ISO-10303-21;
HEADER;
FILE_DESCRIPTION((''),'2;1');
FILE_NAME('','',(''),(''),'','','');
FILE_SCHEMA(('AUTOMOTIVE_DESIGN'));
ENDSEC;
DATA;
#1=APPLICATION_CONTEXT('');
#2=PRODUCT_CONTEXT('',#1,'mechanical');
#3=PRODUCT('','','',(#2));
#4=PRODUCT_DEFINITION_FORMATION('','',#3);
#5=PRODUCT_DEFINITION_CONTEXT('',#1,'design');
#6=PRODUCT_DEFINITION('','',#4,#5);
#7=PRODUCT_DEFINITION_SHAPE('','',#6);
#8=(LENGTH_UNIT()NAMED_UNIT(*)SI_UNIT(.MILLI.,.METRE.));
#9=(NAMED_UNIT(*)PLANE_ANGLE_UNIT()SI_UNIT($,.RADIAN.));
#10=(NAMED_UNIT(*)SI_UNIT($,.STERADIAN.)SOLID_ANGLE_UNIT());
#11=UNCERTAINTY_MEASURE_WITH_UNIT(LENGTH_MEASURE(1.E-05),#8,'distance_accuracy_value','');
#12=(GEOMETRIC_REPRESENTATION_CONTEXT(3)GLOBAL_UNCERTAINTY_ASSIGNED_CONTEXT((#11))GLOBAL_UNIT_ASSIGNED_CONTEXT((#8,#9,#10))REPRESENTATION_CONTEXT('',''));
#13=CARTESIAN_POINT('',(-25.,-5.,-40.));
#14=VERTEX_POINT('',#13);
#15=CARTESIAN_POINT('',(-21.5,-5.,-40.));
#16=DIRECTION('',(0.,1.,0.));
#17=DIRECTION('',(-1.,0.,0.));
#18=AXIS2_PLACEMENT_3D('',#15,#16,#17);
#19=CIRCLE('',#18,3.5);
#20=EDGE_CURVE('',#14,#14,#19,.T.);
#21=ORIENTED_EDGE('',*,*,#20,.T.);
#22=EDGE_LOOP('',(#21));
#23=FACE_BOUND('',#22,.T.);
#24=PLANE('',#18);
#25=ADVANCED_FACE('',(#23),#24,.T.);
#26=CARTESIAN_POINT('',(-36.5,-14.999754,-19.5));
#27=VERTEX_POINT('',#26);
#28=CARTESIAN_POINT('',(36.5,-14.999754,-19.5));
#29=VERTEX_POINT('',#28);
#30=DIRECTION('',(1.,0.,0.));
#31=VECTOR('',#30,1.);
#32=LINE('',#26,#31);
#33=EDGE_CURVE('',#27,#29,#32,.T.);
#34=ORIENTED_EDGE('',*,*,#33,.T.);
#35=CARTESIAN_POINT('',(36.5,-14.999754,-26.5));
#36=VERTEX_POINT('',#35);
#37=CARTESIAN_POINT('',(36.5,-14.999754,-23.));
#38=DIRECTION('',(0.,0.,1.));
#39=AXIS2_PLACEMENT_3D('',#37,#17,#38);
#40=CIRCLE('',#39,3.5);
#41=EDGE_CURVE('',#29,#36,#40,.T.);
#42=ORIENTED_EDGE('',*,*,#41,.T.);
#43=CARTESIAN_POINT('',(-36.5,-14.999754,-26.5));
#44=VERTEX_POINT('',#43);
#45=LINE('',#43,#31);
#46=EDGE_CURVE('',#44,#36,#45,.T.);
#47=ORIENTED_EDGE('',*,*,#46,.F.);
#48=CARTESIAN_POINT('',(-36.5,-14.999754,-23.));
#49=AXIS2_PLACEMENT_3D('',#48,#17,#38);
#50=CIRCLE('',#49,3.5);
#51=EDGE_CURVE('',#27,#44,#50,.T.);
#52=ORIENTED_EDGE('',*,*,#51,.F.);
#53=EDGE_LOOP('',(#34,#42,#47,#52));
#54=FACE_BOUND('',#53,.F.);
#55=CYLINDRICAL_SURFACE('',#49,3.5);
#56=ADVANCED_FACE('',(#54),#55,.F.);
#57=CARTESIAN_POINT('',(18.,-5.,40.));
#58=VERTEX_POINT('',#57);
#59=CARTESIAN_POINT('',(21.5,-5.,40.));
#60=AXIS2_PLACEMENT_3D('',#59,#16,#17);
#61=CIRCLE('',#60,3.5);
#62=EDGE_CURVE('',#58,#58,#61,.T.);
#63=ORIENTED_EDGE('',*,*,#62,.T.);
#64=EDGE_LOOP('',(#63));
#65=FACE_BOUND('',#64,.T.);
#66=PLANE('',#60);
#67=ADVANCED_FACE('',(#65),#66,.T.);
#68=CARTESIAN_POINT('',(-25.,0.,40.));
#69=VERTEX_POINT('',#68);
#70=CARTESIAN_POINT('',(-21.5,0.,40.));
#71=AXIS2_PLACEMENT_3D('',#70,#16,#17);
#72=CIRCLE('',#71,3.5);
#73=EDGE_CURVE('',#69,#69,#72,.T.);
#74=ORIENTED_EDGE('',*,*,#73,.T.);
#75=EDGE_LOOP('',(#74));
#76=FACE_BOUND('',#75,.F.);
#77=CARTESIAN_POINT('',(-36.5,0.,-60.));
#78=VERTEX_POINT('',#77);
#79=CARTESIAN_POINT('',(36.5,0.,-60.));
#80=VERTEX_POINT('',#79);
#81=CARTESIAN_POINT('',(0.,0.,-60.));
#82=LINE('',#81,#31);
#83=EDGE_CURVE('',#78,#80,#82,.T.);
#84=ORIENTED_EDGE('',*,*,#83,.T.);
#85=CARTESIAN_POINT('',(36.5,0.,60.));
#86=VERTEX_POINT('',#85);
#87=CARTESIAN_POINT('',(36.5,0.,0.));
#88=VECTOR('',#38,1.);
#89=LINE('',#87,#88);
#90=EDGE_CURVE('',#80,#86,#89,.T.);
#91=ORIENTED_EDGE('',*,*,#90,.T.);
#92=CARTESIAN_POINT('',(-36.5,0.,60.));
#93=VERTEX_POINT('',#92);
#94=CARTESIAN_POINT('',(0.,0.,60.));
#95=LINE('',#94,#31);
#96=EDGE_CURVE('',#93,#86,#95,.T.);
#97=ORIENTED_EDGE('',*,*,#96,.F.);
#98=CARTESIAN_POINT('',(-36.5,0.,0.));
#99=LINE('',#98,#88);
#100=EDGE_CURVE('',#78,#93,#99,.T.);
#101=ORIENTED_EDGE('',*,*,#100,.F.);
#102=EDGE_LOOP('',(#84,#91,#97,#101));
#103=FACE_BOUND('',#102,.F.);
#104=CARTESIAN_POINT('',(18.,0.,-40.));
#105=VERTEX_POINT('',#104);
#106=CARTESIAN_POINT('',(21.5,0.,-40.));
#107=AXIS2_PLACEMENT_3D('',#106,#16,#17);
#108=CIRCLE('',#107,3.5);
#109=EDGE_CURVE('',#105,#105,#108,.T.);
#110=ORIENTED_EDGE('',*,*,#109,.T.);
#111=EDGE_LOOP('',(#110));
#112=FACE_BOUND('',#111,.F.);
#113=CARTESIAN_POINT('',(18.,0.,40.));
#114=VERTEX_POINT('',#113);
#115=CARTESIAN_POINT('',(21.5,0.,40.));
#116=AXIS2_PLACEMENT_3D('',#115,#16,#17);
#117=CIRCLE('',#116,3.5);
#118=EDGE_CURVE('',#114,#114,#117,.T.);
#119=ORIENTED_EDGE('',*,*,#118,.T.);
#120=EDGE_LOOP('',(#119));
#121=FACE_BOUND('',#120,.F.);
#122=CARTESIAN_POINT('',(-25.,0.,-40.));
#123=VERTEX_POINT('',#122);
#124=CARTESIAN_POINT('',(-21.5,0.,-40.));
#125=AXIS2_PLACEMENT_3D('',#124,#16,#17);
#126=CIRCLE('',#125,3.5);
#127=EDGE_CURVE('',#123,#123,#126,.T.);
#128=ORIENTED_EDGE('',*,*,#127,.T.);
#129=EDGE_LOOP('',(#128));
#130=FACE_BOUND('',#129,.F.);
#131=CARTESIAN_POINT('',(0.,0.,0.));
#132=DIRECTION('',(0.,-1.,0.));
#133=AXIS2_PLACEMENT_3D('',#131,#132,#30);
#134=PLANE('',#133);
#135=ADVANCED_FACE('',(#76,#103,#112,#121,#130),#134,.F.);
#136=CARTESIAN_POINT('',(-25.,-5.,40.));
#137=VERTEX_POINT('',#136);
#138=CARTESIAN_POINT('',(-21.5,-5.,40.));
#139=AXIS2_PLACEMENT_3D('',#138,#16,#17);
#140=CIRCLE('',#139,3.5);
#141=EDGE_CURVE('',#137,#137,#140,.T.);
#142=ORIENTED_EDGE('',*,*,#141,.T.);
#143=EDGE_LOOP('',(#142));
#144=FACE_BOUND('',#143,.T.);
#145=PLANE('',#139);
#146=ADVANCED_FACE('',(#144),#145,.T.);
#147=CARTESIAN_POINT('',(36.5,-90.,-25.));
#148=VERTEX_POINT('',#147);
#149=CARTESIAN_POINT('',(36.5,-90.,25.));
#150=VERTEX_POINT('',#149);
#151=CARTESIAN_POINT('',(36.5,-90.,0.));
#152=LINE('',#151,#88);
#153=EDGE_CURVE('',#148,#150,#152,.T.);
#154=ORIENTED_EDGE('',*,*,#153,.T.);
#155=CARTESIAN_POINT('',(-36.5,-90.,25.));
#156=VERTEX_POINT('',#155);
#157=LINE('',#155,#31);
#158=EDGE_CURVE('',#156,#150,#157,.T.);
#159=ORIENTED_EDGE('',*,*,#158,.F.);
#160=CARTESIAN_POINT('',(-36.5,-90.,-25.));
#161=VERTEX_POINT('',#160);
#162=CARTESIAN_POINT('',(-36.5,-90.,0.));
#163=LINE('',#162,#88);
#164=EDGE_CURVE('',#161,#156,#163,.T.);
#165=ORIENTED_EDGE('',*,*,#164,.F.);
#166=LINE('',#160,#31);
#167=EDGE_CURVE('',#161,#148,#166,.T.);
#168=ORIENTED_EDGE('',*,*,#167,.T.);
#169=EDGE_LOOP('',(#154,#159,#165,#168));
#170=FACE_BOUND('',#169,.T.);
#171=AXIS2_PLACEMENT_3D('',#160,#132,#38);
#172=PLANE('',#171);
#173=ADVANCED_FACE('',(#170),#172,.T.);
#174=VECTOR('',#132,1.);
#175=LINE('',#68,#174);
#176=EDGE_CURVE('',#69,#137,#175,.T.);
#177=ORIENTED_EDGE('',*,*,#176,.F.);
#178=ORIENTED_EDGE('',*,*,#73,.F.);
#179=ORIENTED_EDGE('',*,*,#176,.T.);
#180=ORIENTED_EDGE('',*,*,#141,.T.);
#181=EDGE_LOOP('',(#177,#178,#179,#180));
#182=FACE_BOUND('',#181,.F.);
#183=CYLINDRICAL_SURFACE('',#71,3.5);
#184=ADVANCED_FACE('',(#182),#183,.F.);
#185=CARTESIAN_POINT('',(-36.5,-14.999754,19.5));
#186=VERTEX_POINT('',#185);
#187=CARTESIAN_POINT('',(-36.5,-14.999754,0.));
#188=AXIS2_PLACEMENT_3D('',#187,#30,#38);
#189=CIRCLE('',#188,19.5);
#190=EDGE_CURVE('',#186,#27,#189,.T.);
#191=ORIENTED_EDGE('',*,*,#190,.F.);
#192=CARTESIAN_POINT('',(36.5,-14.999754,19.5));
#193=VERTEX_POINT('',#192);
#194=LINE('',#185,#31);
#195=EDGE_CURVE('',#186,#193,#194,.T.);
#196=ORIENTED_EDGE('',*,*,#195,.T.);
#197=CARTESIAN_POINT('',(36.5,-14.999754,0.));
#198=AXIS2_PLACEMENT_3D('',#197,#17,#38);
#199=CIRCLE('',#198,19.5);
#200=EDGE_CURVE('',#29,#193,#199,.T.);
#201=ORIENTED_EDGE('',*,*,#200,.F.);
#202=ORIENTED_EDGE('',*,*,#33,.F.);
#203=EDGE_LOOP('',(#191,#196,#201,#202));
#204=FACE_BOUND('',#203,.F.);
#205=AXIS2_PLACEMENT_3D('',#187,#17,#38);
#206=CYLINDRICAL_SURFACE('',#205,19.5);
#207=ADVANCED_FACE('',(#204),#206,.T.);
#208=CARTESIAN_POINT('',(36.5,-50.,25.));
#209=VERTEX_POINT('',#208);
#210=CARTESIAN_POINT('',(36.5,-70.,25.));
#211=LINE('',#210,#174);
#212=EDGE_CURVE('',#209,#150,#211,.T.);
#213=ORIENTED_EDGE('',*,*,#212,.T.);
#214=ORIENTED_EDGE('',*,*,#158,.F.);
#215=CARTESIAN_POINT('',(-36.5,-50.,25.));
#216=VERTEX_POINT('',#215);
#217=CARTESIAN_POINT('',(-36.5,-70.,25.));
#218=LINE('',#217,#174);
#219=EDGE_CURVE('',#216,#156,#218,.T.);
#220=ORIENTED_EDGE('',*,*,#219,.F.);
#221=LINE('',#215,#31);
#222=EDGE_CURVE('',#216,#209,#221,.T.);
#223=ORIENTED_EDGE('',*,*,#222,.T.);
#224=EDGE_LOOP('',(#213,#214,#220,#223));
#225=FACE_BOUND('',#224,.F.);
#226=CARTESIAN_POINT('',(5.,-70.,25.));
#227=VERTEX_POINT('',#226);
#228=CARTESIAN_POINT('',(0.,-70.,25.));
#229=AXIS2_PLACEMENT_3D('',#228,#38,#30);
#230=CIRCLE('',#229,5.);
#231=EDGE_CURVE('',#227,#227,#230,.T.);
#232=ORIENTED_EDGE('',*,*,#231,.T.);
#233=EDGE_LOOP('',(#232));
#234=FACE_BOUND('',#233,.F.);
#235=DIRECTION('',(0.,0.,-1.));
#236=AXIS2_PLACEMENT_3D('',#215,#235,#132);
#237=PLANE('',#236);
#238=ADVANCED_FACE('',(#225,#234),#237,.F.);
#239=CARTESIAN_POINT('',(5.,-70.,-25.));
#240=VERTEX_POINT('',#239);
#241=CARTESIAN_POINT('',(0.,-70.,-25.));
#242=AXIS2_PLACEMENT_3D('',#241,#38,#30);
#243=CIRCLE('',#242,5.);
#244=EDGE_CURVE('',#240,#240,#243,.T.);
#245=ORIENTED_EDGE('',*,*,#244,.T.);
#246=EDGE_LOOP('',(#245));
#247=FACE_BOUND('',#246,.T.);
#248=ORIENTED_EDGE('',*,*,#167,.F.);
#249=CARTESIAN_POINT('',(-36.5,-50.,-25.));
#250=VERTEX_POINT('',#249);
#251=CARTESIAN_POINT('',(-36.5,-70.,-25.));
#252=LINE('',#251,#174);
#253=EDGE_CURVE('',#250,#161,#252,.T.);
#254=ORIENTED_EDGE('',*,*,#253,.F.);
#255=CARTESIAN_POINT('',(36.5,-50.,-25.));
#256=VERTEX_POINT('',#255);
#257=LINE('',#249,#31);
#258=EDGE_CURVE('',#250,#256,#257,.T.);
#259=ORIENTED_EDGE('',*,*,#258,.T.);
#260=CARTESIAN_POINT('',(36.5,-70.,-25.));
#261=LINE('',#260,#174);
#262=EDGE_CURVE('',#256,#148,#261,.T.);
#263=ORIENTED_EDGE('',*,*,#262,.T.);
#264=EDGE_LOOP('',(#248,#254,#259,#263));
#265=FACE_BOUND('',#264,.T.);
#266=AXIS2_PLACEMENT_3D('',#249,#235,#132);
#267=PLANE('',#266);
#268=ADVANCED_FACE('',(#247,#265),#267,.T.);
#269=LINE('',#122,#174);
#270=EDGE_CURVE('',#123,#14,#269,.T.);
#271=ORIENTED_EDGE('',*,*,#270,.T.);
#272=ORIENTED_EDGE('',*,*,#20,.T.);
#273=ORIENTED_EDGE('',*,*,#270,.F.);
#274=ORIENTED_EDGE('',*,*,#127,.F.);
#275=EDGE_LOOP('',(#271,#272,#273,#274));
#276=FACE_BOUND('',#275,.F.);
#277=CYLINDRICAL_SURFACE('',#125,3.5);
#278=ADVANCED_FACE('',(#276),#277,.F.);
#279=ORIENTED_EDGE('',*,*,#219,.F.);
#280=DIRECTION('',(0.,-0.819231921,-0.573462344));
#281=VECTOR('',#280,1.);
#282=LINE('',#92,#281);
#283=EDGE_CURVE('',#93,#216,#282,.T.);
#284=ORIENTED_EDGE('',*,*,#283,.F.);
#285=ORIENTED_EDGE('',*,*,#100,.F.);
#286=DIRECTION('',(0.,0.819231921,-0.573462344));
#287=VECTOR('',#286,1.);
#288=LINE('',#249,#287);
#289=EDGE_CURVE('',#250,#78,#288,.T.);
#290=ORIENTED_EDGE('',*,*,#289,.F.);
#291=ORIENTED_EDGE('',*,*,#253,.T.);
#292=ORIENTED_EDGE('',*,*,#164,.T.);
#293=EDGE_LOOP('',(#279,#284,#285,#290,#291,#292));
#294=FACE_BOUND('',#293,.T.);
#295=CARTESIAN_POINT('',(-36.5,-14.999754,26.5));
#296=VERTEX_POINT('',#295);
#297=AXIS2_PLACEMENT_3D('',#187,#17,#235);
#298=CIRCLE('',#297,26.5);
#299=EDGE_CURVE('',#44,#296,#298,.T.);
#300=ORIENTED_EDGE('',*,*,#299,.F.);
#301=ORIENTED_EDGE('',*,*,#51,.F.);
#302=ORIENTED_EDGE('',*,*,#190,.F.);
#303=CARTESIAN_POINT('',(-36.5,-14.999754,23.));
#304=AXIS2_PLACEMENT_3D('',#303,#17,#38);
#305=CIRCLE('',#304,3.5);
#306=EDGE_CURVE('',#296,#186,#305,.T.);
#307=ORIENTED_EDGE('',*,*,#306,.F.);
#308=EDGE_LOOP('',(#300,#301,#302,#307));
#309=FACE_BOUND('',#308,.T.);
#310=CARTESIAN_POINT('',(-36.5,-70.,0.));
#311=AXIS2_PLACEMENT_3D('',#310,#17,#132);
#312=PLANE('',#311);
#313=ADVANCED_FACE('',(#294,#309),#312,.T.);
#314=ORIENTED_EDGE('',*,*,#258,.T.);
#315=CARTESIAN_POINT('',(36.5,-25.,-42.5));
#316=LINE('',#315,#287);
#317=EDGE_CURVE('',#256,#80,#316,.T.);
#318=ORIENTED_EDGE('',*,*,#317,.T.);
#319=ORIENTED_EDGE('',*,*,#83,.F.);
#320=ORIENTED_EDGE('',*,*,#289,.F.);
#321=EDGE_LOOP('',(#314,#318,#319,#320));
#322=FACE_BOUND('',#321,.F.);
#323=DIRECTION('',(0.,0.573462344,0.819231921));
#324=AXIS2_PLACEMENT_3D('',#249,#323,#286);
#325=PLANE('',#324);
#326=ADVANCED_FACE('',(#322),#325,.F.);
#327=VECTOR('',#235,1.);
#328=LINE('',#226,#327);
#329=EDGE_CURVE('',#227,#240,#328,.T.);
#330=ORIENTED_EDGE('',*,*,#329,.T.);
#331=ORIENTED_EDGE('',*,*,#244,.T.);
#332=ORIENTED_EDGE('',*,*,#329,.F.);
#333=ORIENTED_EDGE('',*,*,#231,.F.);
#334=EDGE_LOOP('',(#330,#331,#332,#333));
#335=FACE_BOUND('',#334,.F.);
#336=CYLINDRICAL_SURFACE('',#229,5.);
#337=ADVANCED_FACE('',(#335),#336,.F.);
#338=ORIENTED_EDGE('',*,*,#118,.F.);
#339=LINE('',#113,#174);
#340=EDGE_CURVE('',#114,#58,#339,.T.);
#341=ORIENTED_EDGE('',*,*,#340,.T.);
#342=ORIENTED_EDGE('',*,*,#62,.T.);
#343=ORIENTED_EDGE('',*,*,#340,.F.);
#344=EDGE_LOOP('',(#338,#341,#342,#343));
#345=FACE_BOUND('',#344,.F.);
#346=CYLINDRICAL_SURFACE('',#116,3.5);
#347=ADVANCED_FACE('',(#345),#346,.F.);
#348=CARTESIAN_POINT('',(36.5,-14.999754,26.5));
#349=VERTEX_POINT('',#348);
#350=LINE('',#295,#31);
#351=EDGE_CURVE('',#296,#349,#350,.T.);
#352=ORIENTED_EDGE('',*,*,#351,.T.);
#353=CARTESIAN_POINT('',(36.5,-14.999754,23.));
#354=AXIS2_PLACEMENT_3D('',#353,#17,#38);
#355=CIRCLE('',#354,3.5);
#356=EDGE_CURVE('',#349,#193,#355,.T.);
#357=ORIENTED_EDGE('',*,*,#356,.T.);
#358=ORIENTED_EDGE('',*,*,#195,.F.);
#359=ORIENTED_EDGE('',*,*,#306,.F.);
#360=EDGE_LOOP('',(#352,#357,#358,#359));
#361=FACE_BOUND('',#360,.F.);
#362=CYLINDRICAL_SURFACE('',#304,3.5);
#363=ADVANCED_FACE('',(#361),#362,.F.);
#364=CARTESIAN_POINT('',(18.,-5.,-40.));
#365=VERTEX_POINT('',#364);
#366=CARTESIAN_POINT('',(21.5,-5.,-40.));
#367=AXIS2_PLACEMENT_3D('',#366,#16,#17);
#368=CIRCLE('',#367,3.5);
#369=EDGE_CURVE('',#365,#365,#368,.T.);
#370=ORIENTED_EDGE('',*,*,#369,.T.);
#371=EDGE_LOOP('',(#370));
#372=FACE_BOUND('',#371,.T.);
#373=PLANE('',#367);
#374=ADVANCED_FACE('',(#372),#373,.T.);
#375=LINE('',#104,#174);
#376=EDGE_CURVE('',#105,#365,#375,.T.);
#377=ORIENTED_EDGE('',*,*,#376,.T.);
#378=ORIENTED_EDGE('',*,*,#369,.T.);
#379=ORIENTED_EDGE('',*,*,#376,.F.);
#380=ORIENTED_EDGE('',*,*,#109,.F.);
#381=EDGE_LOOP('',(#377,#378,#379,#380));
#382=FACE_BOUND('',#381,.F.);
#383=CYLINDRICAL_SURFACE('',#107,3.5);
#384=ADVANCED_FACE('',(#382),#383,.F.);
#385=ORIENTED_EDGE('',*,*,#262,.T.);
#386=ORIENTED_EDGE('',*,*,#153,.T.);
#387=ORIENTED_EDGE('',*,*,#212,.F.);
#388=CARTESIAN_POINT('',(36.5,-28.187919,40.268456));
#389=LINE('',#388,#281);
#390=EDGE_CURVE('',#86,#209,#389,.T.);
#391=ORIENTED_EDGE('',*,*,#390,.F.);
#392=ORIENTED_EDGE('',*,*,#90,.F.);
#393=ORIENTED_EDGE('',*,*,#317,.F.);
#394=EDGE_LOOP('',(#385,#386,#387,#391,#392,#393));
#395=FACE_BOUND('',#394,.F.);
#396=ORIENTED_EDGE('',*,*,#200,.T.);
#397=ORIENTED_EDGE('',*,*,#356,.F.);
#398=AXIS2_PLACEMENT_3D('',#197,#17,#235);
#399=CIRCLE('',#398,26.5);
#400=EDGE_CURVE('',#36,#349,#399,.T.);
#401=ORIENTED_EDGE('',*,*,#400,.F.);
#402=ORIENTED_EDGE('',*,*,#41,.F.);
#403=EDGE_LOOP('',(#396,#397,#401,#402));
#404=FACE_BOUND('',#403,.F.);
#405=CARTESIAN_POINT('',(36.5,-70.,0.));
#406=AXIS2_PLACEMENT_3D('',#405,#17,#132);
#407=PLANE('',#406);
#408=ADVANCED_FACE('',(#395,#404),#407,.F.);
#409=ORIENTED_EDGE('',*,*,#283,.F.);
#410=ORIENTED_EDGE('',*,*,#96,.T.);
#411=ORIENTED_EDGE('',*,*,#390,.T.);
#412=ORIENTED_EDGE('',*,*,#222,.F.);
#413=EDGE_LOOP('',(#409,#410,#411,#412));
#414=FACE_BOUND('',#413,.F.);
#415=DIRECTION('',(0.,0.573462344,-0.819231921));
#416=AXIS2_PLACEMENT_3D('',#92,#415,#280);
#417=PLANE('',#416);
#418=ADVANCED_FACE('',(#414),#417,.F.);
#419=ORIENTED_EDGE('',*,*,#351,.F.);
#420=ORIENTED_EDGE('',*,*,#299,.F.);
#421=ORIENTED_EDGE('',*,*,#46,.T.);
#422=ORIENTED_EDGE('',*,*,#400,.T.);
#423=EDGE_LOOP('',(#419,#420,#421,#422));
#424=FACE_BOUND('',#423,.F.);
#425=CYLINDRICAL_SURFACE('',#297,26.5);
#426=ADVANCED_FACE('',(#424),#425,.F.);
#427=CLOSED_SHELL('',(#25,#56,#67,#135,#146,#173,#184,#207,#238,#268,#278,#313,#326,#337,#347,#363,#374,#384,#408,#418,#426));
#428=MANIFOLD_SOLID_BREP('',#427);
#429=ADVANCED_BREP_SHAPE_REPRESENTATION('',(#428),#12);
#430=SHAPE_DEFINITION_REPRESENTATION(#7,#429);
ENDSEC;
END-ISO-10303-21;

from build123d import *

# Parameters (mm, degrees)
F0_W      = 73
F0_H      = 120
F1_DEPTH  = 50
F3_DEPTH  = 80
F5_DEPTH  = 80
F6_R      = 3.5
F7_DEPTH  = 5
F8_W      = 40
F8_H      = 50
F9_DEPTH  = 73
F10_R     = 5
F11_DEPTH = 80


with BuildPart() as f1:
    # F0 (on Front) → F1 (new body)
    with BuildSketch(Plane.XZ):
        Rectangle(F0_W, F0_H)
    extrude(amount=F1_DEPTH)

    # F2 (on face) → F3 (cut)
    with BuildSketch(Plane(origin=(-36.5, 0, 0), x_dir=(0, -1, 0), z_dir=(-1, 0, 0))):
        with BuildLine():
            ThreePointArc((14.9997541366, 19.5), (34.4997541366, 0), (14.9997541366, -19.5))
            ThreePointArc((14.9997541366, -19.5), (11.4997541366, -23), (14.9997541366, -26.5))
            ThreePointArc((14.9997541366, -26.5), (41.4997541366, 0), (14.9997541366, 26.5))
            ThreePointArc((14.9997541366, 26.5), (11.4997541366, 23), (14.9997541366, 19.5))
        make_face()
    extrude(amount=-F3_DEPTH, mode=Mode.SUBTRACT)

    # F4 (on face) → F5 (cut)
    with BuildSketch(Plane(origin=(-36.5, 0, 0), x_dir=(0, -1, 0), z_dir=(-1, 0, 0))):
        Polygon((50, 60), (0, 60), (50, 25), align=None)
        Polygon((50, -25), (0, -60), (50, -60), align=None)
    extrude(amount=-F5_DEPTH, mode=Mode.SUBTRACT)

    # F6 (on face) → F7 (cut)
    with BuildSketch(Plane(origin=(0, 0, 0), x_dir=(-1, 0, 0), z_dir=(0, 1, 0))):
        with Locations((-21.5, 40)):
            Circle(F6_R)
        with Locations((21.5, 40)):
            Circle(F6_R)
        with Locations((-21.5, -40)):
            Circle(F6_R)
        with Locations((21.5, -40)):
            Circle(F6_R)
    extrude(amount=-F7_DEPTH, mode=Mode.SUBTRACT)

    # F8 (on face) → F9 (join)
    with BuildSketch(Plane(origin=(-36.5, 0, 0), x_dir=(0, -1, 0), z_dir=(-1, 0, 0))):
        with Locations((70, 0)):
            Rectangle(F8_W, F8_H)
    extrude(amount=-F9_DEPTH)

    # F10 (on face) → F11 (cut)
    with BuildSketch(Plane.XY.offset(25)):
        with Locations((0, -70)):
            Circle(F10_R)
    extrude(amount=-F11_DEPTH, mode=Mode.SUBTRACT)


solid = f1.part
